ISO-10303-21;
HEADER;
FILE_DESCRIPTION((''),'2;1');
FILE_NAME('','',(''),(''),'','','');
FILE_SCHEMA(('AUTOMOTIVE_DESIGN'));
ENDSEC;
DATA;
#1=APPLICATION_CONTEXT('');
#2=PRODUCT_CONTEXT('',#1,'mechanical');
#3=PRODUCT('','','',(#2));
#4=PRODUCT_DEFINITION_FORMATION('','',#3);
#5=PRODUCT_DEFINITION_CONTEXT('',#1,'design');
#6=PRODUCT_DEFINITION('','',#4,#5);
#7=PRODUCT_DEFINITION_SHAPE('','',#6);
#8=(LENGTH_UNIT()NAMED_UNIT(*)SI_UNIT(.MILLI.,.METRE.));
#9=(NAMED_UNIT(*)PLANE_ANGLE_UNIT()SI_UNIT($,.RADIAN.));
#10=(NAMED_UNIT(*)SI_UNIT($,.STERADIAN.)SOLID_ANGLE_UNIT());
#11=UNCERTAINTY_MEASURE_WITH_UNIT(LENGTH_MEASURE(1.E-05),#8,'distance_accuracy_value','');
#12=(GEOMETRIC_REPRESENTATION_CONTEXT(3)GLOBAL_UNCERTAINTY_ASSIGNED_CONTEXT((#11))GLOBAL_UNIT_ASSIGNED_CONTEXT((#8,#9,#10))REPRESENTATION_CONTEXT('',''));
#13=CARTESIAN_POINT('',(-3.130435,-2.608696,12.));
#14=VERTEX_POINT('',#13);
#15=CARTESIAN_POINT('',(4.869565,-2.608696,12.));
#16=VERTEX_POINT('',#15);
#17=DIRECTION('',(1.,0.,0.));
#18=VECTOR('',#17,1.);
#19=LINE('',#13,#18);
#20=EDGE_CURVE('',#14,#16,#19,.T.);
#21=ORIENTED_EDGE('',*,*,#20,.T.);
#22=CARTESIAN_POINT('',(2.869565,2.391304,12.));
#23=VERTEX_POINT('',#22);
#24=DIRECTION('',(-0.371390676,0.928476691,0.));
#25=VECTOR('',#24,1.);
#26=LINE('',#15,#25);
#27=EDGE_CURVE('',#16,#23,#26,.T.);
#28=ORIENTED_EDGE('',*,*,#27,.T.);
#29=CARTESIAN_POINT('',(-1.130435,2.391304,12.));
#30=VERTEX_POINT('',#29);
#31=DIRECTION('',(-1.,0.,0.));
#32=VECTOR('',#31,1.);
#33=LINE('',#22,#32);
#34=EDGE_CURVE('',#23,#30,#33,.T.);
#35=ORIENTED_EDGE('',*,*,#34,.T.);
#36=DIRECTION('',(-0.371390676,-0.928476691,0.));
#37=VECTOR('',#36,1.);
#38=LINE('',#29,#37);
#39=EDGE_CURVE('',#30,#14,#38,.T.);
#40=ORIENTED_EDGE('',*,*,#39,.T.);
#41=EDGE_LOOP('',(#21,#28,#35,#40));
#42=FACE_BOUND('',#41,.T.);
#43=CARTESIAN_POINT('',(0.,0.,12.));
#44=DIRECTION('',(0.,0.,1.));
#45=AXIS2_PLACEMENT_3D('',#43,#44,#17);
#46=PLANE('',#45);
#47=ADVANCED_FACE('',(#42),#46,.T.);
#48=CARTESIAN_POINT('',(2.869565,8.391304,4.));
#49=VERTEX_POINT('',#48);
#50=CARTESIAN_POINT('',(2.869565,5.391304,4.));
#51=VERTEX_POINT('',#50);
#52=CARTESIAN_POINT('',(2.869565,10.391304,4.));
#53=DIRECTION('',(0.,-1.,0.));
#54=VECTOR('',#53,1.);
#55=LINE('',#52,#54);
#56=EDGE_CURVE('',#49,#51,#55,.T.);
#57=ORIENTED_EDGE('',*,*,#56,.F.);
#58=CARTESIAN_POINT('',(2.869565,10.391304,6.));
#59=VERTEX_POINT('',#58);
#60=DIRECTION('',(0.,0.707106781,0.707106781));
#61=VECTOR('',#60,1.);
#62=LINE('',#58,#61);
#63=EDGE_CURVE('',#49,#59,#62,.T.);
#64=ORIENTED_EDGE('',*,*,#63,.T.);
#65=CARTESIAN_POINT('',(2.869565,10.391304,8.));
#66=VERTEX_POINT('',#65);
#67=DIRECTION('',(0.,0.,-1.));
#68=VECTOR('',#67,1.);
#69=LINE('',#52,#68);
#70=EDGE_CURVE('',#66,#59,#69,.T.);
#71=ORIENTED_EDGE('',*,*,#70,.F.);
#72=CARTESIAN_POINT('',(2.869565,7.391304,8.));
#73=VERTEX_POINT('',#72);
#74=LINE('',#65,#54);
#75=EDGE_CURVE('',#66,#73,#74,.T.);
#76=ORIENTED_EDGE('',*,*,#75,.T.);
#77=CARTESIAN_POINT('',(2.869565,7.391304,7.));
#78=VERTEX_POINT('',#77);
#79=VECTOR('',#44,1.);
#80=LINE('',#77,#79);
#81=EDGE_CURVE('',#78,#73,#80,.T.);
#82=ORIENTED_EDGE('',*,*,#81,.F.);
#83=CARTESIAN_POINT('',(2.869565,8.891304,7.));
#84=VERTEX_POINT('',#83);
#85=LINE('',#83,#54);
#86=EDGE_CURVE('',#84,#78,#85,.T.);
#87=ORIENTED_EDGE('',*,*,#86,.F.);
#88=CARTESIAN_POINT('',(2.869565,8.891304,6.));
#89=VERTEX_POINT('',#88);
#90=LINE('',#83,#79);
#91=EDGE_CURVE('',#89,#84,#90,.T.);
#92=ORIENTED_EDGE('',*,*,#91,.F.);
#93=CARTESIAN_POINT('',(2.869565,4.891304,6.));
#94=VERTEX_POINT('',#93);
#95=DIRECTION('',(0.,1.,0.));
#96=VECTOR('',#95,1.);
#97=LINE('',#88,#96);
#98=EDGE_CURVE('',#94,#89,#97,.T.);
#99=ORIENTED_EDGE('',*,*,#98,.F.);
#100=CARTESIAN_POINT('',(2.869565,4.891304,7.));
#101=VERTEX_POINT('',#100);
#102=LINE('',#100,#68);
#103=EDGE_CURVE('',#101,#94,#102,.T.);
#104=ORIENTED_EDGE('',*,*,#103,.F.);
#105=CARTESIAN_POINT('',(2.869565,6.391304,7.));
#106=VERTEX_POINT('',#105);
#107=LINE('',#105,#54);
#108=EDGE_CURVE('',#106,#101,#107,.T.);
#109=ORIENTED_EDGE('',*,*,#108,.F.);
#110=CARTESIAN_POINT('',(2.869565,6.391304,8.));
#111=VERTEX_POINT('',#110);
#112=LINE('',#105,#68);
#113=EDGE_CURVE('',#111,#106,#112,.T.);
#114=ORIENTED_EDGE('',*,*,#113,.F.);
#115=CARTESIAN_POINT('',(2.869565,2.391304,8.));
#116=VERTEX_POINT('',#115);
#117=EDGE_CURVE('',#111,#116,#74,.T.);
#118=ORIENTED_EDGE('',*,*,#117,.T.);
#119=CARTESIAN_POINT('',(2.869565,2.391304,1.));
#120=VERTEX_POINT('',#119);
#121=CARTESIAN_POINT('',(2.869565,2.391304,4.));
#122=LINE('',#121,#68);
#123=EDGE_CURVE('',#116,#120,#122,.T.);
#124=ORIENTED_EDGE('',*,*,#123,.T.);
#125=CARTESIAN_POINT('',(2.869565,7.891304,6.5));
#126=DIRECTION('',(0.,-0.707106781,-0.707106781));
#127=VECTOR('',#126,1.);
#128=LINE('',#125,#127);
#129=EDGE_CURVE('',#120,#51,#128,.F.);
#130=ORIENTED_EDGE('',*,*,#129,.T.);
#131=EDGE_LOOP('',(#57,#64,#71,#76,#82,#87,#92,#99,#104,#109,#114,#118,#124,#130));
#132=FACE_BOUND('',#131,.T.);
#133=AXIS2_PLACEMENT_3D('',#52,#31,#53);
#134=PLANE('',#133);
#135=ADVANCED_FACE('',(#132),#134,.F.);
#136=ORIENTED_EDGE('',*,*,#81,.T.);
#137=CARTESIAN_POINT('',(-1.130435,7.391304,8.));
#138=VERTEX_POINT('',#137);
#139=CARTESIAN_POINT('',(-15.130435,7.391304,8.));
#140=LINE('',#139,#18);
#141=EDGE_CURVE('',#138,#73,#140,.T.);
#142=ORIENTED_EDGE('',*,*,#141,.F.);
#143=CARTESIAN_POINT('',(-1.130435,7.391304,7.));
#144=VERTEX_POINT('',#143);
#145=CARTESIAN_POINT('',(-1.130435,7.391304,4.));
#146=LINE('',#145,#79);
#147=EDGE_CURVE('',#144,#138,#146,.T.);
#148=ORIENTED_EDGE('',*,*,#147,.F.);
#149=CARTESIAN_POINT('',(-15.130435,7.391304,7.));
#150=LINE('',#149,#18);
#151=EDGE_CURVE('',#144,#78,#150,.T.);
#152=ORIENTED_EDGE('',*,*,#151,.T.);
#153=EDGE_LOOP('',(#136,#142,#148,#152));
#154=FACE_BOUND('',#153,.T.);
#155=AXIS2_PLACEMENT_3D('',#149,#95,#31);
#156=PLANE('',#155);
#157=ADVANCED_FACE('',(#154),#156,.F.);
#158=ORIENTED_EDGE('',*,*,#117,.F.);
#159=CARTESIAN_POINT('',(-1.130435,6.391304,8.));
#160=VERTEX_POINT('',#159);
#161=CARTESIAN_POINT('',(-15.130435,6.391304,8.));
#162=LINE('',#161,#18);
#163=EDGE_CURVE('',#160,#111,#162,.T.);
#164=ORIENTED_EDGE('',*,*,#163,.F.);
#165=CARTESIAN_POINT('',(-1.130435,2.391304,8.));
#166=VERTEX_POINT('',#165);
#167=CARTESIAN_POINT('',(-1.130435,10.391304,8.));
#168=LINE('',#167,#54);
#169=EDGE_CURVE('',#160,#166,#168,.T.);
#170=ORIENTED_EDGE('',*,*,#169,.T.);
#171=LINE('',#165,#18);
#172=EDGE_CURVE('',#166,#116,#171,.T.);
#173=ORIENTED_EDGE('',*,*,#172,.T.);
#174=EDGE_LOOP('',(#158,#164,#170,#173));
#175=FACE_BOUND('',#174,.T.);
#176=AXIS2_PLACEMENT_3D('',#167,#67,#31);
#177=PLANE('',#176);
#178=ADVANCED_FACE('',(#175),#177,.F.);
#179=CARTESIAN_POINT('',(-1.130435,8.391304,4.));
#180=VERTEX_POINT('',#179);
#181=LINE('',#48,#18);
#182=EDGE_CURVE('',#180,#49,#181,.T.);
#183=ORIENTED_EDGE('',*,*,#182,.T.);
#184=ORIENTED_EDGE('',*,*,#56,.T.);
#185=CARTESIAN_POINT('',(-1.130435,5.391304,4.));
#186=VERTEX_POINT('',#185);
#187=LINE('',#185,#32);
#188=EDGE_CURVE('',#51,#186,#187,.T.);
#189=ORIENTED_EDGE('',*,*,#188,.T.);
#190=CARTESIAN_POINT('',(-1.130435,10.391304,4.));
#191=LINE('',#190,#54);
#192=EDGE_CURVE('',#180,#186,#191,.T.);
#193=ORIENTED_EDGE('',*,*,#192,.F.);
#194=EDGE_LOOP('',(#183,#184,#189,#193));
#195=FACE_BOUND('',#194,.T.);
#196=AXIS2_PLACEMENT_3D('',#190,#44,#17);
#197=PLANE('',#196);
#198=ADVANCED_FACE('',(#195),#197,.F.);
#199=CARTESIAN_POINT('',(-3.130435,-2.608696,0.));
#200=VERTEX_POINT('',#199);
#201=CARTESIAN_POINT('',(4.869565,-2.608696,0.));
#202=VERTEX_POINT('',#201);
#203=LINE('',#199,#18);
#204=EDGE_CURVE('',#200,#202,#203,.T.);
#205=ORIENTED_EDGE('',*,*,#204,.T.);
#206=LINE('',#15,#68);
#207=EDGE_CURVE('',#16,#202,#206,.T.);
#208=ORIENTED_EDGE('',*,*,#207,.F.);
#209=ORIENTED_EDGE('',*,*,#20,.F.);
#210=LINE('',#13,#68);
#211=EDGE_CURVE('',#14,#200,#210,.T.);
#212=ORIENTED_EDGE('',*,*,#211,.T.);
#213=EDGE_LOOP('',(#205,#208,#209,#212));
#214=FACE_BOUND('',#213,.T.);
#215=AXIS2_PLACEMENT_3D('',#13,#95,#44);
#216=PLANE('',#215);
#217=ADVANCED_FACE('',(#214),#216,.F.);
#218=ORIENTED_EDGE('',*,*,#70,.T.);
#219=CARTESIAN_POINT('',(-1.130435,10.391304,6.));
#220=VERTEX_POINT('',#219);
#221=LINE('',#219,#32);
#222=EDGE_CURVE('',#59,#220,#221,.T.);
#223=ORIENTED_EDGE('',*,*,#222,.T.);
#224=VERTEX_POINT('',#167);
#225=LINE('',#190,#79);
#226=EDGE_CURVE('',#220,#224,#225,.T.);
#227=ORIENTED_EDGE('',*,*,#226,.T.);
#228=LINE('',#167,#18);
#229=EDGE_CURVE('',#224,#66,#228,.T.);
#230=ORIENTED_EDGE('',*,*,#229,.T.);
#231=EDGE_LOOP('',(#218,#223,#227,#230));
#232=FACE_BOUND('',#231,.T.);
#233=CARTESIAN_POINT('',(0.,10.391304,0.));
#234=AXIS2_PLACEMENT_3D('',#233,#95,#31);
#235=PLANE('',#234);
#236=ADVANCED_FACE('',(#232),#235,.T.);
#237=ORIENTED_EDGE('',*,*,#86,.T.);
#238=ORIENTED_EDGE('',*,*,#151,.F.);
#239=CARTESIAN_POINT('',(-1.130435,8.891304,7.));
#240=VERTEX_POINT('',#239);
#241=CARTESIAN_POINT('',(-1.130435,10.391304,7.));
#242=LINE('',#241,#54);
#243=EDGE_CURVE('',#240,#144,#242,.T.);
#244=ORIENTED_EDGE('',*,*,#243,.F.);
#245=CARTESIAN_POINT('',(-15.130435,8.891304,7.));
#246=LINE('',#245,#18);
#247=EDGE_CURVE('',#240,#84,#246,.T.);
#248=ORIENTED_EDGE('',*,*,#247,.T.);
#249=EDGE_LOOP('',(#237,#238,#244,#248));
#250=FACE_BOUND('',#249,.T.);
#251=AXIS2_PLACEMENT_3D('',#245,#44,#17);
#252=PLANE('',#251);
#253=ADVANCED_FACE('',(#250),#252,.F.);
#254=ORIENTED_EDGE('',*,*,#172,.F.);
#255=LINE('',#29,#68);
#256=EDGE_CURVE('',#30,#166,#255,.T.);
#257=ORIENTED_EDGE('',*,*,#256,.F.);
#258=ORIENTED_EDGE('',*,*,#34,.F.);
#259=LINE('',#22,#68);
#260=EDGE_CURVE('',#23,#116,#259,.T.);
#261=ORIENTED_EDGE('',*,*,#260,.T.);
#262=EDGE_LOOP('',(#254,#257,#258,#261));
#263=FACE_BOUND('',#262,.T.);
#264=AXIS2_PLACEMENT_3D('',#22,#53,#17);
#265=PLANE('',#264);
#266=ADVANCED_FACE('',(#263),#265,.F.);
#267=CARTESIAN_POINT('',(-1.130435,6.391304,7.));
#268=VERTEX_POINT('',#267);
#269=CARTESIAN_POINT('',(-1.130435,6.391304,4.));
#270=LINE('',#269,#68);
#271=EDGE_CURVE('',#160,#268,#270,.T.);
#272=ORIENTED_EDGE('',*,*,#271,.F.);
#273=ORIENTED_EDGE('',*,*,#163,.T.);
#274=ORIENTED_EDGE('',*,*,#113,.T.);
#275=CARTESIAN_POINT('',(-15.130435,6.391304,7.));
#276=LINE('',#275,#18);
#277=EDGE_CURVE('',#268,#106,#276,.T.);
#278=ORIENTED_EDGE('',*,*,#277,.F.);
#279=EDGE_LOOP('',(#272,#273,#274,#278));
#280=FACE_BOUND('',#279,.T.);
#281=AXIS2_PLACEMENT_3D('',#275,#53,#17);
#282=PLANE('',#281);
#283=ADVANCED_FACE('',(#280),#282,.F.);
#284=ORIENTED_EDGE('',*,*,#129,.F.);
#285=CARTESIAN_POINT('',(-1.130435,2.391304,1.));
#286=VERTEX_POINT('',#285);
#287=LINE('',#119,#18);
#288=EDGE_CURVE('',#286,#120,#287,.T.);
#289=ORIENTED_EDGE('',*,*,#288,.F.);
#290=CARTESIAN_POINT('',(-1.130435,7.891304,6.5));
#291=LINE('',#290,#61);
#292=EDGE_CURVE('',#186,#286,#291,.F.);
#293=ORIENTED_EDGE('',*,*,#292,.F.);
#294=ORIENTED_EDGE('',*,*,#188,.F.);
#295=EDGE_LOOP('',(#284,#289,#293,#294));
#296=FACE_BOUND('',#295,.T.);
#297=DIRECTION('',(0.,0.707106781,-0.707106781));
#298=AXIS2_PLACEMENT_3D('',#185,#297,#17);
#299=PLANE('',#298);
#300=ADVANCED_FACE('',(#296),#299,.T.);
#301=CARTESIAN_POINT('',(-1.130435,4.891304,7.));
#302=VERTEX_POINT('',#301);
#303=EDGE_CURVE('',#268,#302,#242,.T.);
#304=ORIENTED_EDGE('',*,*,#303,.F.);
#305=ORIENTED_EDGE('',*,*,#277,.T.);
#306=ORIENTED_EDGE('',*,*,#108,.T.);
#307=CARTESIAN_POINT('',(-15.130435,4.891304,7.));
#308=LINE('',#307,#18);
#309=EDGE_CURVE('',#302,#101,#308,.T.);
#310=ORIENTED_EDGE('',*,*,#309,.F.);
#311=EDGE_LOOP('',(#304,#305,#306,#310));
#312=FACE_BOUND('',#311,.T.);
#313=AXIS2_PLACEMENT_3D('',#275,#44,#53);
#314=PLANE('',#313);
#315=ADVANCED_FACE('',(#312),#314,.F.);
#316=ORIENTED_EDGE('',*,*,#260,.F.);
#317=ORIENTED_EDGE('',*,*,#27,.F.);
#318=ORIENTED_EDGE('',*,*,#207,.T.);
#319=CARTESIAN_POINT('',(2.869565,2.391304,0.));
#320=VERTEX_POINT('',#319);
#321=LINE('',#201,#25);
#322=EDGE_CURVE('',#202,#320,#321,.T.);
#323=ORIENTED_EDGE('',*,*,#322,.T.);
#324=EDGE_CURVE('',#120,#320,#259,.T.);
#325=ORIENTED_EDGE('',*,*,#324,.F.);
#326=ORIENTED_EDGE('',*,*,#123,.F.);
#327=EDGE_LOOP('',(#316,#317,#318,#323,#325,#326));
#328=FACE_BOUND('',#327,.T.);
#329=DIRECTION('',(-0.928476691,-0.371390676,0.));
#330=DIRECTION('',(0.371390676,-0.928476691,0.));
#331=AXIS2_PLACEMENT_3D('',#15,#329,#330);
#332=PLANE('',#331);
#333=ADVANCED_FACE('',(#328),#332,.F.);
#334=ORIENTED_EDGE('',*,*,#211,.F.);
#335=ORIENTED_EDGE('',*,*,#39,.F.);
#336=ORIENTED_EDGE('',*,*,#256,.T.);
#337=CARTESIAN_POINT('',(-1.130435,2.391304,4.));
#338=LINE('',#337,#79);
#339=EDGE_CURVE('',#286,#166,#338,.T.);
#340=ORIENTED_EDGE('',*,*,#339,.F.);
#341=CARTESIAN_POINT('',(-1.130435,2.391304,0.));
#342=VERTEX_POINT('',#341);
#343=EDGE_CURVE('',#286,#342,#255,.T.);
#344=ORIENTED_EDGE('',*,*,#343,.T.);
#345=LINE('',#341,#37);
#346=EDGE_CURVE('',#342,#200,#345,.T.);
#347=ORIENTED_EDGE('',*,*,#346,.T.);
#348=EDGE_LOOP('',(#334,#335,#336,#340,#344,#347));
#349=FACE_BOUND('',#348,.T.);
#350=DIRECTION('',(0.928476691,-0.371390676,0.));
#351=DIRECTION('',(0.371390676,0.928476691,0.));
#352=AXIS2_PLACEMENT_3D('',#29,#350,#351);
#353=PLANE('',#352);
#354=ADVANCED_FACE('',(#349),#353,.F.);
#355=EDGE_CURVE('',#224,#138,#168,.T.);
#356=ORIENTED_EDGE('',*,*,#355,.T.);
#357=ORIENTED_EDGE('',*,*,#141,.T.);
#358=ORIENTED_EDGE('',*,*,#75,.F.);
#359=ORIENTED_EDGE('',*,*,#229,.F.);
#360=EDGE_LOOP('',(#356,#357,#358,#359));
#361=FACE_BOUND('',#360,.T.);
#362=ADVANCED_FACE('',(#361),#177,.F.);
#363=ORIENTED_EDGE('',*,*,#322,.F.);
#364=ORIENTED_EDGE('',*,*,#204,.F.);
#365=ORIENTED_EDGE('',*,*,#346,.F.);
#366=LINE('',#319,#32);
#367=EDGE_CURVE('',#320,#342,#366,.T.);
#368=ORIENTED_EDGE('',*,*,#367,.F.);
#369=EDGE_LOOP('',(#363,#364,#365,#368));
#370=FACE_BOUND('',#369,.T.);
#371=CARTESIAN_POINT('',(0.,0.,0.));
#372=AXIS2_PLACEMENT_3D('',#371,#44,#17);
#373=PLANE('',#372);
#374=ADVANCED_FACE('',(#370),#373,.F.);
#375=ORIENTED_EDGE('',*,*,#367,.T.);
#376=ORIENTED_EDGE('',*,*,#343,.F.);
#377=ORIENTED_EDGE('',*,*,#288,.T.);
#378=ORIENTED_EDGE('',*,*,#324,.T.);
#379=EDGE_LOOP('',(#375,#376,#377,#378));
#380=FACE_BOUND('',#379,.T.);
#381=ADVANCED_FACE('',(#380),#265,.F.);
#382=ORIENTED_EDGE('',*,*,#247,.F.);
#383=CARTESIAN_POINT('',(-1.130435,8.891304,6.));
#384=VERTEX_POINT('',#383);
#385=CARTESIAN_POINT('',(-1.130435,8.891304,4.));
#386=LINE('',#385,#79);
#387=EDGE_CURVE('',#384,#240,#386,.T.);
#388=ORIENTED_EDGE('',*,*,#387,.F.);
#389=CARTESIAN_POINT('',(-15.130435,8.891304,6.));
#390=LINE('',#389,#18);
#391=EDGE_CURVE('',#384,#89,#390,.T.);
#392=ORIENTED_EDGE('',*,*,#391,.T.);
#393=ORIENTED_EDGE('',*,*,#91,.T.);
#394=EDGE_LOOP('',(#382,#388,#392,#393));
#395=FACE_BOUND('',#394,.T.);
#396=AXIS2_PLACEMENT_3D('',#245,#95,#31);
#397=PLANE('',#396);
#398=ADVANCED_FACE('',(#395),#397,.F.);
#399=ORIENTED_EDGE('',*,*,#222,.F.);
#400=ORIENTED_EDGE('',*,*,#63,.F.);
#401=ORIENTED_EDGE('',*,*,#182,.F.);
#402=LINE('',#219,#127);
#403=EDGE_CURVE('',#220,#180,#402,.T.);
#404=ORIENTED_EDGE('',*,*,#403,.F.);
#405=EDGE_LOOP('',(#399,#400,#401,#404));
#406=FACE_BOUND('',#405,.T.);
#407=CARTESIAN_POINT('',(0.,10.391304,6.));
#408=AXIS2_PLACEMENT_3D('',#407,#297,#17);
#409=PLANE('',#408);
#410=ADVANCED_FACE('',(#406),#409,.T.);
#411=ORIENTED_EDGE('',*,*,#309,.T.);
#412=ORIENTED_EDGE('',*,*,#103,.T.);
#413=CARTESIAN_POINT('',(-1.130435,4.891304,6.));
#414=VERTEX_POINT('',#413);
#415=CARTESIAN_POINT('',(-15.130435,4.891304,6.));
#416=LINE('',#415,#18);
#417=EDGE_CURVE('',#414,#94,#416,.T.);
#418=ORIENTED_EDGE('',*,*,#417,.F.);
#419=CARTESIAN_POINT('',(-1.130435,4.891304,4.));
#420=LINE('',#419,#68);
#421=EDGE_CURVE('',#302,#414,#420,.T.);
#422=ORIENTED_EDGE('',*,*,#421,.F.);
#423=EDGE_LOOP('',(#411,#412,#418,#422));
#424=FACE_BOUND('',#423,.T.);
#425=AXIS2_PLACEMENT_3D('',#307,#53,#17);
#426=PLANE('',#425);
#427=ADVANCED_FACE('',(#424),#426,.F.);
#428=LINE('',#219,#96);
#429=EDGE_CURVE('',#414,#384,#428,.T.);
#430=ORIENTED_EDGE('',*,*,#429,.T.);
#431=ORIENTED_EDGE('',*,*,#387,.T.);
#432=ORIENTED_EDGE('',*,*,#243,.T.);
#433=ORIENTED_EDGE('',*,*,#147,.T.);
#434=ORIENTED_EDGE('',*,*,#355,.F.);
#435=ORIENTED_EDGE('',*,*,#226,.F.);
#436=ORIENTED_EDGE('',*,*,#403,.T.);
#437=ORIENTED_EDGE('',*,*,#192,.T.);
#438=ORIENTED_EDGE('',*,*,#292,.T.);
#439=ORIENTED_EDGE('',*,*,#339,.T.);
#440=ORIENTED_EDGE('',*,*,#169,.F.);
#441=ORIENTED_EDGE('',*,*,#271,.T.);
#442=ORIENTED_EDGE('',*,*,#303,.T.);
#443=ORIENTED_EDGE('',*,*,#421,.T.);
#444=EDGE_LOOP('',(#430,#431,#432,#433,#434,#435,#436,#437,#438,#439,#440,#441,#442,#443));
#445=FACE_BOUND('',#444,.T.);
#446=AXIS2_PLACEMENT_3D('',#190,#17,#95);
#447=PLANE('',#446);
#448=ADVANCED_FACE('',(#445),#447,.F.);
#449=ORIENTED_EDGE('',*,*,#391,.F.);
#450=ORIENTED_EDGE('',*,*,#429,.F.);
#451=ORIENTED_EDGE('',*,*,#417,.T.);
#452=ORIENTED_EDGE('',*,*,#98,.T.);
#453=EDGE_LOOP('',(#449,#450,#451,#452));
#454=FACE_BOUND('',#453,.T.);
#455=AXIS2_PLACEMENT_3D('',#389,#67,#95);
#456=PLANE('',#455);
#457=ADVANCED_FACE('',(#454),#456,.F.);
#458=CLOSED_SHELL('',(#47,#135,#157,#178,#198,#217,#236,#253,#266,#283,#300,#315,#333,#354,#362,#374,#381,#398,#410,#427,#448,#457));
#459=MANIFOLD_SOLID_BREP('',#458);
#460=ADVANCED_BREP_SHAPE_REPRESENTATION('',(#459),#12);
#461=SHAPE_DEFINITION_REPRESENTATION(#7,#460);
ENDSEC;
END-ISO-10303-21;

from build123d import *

# Parameters (mm, degrees)
BOSS_EXTRUDE1_DEPTH = 12
SKETCH2_W           = 4
SKETCH2_H           = 4
BOSS_EXTRUDE2_DEPTH = 8
CHAMFER1_SIZE       = 3
CUT_EXTRUDE1_DEPTH  = 18
CHAMFER2_SIZE       = 2


with BuildPart() as part:
    # Sketch1 → Boss-Extrude1 (new body)
    with BuildSketch(Plane.XY):
        Polygon((-3.130434783, -2.608695652), (4.869565217, -2.608695652), (2.869565217, 2.391304348), (-1.130434783, 2.391304348), align=None)
    extrude(amount=BOSS_EXTRUDE1_DEPTH)

    # Sketch2 → Boss-Extrude2 (add)
    with BuildSketch(Plane(origin=(0, 2.391304348, 0), x_dir=(1, 0, 0), z_dir=(0, 1, 0))):
        with Locations((0.869565217, -6)):
            Rectangle(SKETCH2_W, SKETCH2_H)
    extrude(amount=BOSS_EXTRUDE2_DEPTH)

    # Chamfer1
    chamfer1_edges = [part.edges().sort_by_distance(p)[0] for p in [
        (0.869565217, 2.391304348, 4),
    ]]
    chamfer(chamfer1_edges, length=CHAMFER1_SIZE)

    # Sketch3 → Cut-Extrude1 (cut)
    with BuildSketch(Plane(origin=(2.869565217, 0, 0), x_dir=(0, 0, -1), z_dir=(1, 0, 0))):
        Polygon((-7, 8.891304348), (-6, 8.891304348), (-6, 4.891304348), (-7, 4.891304348), (-7, 6.391304348), (-8, 6.391304348), (-8, 7.391304348), (-7, 7.391304348), align=None)
    extrude(amount=-CUT_EXTRUDE1_DEPTH, mode=Mode.SUBTRACT)

    # Chamfer2
    chamfer2_edges = [part.edges().sort_by_distance(p)[0] for p in [
        (0.869565217, 10.391304348, 4),
    ]]
    chamfer(chamfer2_edges, length=CHAMFER2_SIZE)


solid = part.part
